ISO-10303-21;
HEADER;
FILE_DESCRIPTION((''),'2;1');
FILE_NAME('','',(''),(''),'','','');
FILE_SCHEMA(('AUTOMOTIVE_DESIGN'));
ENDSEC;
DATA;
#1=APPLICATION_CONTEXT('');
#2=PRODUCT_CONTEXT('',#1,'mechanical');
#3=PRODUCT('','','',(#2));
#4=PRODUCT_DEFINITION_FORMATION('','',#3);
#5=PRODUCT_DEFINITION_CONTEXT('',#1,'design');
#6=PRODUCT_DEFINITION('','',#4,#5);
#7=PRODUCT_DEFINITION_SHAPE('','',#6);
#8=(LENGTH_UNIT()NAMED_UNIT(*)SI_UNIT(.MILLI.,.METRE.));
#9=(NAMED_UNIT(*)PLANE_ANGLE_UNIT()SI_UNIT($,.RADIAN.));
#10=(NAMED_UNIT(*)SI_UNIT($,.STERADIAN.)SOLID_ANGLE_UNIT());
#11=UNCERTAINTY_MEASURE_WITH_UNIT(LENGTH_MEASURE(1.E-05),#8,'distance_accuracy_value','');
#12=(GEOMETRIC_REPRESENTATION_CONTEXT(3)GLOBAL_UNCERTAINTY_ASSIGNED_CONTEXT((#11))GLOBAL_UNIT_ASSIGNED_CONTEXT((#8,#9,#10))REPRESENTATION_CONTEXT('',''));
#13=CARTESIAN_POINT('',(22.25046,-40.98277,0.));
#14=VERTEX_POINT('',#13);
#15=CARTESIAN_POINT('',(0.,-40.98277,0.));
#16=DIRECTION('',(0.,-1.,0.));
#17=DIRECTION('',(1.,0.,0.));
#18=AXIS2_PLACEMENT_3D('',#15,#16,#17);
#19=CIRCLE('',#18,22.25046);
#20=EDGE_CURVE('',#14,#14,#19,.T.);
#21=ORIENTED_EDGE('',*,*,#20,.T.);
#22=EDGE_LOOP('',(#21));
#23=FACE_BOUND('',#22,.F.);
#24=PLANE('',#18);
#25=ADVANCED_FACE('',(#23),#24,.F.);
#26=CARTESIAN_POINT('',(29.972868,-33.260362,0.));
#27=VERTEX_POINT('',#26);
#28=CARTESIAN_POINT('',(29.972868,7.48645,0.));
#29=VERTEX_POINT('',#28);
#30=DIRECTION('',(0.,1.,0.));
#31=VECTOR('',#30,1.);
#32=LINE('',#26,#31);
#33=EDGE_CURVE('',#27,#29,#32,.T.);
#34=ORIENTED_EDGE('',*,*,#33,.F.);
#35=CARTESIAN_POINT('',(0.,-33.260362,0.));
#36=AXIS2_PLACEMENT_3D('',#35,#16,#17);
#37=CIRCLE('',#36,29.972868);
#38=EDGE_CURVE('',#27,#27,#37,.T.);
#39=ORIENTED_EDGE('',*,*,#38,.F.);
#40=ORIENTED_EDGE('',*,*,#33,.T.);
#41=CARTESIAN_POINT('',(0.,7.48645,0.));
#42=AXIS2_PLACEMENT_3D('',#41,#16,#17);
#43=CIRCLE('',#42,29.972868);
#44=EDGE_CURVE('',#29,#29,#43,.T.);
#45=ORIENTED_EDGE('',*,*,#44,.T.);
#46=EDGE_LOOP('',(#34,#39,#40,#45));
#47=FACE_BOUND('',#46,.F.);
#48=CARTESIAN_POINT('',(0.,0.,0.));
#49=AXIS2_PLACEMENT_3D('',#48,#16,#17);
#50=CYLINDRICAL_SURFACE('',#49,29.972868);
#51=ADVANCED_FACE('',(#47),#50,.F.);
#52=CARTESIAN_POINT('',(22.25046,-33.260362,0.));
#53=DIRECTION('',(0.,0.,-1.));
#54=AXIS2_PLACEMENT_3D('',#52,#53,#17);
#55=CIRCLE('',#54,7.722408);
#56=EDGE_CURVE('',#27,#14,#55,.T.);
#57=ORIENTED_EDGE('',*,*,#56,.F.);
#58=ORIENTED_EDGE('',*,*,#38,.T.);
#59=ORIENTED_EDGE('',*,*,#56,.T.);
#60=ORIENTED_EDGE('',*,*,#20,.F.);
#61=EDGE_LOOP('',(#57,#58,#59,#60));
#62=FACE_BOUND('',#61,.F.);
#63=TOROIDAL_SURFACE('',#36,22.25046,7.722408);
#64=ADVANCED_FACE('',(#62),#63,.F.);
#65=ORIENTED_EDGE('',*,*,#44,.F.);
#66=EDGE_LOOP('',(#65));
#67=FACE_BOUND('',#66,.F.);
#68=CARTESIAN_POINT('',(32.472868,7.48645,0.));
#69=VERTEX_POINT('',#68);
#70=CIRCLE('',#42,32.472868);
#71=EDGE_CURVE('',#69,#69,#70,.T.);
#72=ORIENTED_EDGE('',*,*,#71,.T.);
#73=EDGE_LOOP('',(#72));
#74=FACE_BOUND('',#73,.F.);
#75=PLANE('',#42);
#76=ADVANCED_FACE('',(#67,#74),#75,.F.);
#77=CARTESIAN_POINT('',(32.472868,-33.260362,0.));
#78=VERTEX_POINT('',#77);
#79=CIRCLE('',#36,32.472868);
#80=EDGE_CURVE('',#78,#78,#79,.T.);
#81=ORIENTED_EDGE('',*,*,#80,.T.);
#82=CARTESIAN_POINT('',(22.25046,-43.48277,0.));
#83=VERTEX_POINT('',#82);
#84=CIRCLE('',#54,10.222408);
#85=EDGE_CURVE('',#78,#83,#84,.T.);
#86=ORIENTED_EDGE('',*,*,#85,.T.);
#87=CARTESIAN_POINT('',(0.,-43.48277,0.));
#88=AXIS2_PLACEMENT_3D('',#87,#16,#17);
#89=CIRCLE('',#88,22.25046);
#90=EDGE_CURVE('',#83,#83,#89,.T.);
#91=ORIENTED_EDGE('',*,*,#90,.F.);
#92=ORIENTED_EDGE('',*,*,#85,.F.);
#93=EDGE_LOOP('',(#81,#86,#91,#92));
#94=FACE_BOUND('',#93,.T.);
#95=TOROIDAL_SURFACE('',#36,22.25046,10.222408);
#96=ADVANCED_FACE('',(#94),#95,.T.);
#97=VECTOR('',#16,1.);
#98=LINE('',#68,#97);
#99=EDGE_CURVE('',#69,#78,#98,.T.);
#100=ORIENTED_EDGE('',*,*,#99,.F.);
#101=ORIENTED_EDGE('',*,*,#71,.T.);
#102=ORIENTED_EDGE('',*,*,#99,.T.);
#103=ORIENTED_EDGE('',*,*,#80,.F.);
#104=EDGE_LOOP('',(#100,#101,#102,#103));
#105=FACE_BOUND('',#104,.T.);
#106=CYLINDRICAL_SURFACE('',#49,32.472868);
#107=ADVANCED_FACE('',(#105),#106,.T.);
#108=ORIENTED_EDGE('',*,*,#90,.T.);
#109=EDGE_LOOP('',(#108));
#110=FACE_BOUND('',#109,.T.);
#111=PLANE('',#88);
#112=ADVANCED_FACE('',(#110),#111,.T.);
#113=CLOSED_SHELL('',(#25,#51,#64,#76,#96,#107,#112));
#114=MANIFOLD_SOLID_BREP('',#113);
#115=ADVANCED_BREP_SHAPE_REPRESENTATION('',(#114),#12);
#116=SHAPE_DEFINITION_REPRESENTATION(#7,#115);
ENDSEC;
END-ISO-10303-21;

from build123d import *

# Parameters (mm, degrees)
F0_R          = 32.4728683354
F1_DEPTH      = 18.48277
F1_DEPTH_BACK = 25
F2_R          = 10.2224079186
F3_T          = -2.5
F5_DEPTH      = 7.48645


with BuildPart() as f1:
    # F0 (on Front) → F1 (new body, two sides)
    with BuildSketch(Plane.XZ) as f1_sk:
        Circle(F0_R)
    extrude(amount=F1_DEPTH)
    extrude(f1_sk.sketch, amount=-F1_DEPTH_BACK)

    # F2
    f2_edges = [f1.edges().sort_by_distance(p)[0] for p in [
        (-32.472868, -18.48277, 0),
    ]]
    fillet(f2_edges, radius=F2_R)

    # F3
    f3_openings = [f1.faces().sort_by_distance(p)[0] for p in [
        (0, 25, 0),
    ]]
    offset(amount=F3_T, openings=f3_openings)


with BuildPart() as f1_1:
    # F4: moved
    add(f1.part.moved(Location((0, -25, 0))))

    # F5 (add): a face of the model
    f5_faces = [f1_1.faces().sort_by_distance(p)[0] for p in [
        (-31.5543969192, 0, 0),
    ]]
    extrude(f5_faces, amount=F5_DEPTH)


solid = f1_1.part
